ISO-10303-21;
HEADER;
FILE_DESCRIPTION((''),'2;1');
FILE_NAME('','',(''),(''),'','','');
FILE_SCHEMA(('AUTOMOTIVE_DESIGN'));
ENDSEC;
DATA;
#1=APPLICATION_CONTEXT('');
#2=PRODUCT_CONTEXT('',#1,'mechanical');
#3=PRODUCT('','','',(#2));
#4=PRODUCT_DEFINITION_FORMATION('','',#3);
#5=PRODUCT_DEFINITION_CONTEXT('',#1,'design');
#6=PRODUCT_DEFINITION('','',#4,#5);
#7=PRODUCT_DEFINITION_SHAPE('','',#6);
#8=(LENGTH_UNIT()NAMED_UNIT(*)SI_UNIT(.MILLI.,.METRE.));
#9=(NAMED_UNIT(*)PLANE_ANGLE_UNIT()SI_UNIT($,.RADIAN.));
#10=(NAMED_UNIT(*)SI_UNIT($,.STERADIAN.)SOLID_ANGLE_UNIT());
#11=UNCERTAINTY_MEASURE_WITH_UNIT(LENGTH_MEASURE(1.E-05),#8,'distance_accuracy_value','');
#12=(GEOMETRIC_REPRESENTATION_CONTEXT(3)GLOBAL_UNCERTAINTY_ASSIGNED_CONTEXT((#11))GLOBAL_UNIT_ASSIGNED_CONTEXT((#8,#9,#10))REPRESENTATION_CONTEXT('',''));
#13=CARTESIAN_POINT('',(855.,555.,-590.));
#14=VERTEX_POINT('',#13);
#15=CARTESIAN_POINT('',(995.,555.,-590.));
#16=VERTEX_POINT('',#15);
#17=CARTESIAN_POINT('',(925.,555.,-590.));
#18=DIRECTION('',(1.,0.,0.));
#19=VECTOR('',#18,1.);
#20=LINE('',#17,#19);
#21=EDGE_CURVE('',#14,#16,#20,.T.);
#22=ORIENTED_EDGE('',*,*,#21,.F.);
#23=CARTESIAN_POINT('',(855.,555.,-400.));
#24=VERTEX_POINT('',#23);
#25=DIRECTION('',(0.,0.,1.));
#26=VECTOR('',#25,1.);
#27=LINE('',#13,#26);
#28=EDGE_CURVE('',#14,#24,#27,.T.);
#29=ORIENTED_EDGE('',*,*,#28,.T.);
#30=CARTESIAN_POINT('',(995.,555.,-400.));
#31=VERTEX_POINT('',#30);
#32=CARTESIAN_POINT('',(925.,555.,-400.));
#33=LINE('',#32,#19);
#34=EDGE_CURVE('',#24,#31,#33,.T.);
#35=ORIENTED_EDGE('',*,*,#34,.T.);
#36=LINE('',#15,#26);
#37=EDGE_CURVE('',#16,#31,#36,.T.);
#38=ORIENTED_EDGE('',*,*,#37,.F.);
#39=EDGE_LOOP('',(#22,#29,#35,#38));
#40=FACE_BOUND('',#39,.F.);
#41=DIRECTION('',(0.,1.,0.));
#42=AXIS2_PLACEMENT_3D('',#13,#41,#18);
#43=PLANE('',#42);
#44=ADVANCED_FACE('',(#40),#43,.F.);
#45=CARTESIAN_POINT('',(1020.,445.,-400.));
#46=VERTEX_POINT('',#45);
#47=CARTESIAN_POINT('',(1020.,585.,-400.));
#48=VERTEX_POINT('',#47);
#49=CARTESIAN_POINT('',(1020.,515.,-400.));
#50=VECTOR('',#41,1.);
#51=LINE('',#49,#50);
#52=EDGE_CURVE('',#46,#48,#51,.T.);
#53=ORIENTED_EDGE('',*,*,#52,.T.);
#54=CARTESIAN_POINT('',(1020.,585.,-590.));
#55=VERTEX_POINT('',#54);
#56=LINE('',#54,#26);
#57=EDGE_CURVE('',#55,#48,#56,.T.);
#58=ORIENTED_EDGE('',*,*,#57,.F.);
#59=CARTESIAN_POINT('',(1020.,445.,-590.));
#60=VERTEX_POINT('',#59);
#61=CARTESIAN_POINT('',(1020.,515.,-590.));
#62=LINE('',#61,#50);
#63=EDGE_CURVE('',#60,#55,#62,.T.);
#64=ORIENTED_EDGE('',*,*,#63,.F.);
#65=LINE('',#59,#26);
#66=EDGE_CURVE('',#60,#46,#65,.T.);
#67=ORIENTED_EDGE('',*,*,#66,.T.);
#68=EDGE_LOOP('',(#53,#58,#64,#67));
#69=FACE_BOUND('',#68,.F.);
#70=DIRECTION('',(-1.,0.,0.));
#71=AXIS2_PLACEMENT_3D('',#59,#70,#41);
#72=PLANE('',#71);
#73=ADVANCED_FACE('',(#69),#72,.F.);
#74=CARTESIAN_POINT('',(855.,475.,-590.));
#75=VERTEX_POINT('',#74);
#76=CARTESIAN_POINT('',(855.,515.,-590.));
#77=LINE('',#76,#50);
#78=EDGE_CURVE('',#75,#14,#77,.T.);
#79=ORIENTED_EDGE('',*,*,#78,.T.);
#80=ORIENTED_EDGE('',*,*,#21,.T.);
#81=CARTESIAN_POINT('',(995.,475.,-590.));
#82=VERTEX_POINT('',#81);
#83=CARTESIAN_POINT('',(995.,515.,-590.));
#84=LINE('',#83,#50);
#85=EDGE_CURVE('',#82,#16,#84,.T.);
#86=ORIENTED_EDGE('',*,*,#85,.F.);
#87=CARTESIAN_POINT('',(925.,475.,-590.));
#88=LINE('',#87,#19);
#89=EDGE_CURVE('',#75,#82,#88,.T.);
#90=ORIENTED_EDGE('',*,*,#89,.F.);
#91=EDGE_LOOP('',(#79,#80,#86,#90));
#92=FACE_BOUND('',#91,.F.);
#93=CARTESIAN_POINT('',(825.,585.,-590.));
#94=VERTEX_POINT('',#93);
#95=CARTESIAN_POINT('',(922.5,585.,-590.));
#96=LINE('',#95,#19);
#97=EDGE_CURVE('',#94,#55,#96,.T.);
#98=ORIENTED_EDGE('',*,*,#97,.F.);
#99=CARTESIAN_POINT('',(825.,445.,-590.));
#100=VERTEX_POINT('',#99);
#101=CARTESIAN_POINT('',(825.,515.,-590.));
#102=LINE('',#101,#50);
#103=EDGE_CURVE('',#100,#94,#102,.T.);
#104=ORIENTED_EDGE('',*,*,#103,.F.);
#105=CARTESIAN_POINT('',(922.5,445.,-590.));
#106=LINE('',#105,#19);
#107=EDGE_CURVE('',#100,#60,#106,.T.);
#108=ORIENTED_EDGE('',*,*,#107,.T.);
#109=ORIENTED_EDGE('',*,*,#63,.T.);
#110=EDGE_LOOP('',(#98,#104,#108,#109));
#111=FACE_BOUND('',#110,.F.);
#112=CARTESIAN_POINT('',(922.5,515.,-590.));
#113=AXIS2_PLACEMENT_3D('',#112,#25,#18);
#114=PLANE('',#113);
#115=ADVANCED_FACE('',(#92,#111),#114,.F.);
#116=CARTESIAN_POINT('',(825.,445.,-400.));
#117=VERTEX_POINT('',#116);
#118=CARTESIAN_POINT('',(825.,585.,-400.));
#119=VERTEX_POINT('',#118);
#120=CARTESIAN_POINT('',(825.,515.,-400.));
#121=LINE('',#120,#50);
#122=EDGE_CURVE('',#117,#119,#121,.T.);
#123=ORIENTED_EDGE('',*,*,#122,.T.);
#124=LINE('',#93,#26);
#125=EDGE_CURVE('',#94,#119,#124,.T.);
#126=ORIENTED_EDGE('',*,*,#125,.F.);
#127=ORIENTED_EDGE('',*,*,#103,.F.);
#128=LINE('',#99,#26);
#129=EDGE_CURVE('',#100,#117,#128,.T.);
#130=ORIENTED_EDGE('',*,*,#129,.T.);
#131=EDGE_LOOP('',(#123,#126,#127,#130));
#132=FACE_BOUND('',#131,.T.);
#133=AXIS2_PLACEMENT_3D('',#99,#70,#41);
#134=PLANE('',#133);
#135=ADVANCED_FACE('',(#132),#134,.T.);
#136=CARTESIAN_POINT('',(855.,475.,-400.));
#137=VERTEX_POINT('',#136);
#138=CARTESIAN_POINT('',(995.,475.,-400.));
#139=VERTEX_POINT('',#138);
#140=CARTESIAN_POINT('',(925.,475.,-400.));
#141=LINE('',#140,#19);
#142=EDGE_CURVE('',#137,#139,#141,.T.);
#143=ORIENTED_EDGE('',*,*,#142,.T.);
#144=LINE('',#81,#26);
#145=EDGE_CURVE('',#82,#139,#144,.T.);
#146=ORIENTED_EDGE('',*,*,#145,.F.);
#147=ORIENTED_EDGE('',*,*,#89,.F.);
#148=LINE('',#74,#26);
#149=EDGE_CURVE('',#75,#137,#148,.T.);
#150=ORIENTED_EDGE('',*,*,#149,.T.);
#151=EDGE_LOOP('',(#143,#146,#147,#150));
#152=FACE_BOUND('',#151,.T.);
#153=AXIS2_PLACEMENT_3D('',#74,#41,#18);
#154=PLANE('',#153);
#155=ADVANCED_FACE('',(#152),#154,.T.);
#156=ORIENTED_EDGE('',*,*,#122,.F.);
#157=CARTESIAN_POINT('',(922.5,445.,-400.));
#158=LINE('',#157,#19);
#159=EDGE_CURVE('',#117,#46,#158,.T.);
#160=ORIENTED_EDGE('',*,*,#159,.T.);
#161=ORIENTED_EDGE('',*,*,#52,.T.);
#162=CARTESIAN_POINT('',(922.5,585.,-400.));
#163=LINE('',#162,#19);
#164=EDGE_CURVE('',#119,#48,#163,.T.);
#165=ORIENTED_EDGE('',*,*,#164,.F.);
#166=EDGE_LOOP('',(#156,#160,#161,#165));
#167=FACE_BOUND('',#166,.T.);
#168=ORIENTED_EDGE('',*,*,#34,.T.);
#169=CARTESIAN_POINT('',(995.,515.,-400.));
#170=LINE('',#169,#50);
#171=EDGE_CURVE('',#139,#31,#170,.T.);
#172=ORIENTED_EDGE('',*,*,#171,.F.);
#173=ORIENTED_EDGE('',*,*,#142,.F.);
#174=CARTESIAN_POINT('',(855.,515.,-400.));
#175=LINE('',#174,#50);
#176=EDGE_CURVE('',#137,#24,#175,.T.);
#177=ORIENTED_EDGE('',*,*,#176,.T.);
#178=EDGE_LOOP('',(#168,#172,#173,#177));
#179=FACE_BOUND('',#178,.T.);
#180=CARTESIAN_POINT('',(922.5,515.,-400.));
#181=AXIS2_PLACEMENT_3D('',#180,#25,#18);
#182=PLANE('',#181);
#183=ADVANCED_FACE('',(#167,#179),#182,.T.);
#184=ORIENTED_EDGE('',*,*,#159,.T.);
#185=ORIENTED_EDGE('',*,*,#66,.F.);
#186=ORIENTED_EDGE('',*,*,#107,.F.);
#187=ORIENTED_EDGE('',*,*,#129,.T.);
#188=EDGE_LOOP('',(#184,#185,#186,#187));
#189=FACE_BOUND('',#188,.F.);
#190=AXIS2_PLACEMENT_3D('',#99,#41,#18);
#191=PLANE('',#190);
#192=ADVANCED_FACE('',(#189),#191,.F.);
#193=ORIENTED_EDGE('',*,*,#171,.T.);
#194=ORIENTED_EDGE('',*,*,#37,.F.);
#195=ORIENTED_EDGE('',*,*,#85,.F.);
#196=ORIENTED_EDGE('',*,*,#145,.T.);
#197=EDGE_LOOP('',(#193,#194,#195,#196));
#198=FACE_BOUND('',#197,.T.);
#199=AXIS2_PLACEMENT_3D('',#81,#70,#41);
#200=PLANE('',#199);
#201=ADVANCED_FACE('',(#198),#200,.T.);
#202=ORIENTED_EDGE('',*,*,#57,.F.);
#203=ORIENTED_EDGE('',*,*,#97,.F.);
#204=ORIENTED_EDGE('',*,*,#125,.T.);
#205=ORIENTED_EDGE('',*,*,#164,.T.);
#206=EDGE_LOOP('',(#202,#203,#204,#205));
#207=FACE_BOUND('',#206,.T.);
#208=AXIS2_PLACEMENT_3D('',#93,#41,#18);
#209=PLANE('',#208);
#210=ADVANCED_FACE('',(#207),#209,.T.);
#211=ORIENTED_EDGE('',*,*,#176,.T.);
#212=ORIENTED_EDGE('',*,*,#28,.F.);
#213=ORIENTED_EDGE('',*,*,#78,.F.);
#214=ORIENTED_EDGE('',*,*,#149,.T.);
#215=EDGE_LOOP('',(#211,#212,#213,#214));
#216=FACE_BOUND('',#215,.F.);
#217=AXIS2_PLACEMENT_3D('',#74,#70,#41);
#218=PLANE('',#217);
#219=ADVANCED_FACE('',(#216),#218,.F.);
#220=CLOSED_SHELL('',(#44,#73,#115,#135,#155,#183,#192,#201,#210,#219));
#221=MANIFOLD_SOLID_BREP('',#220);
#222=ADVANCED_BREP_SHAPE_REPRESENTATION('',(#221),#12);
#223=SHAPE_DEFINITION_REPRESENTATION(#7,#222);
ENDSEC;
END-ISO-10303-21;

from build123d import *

# Parameters (mm, degrees)
BOX101_W     = 140
BOX101_H     = 80
BOX101_DEPTH = 190
BOX102_W     = 140
BOX102_H     = 80
BOX102_DEPTH = 190
BOX103_W     = 195
BOX103_H     = 140
BOX103_DEPTH = 190


with BuildPart() as cube073:
    # Box101 → Box101 (new body)
    with BuildSketch(Plane(origin=(220, 30, 0), x_dir=(1, 0, 0), z_dir=(0, 0, 1))):
        with Locations((70, 40)):
            Rectangle(BOX101_W, BOX101_H)
    extrude(amount=BOX101_DEPTH)


with BuildPart() as fusion017:
    # Box102 → Box102 (new body)
    with BuildSketch(Plane(origin=(30, 30, 0), x_dir=(1, 0, 0), z_dir=(0, 0, 1))):
        with Locations((70, 40)):
            Rectangle(BOX102_W, BOX102_H)
    extrude(amount=BOX102_DEPTH)

    # Fusion017: union Cube073
    add(cube073.part)


with BuildPart() as halve_snelbouwsteen001:
    # Box103 → Box103 (new body)
    with BuildSketch(Plane.XY):
        with Locations((97.5, 70)):
            Rectangle(BOX103_W, BOX103_H)
    extrude(amount=BOX103_DEPTH)

    # Cut012: cut Fusion017
    add(fusion017.part, mode=Mode.SUBTRACT)


with BuildPart() as halve_snelbouwsteen001_1:
    # Cut012 placement: moved
    add(halve_snelbouwsteen001.part.moved(Location((825, 445, -590))))


solid = halve_snelbouwsteen001_1.part
